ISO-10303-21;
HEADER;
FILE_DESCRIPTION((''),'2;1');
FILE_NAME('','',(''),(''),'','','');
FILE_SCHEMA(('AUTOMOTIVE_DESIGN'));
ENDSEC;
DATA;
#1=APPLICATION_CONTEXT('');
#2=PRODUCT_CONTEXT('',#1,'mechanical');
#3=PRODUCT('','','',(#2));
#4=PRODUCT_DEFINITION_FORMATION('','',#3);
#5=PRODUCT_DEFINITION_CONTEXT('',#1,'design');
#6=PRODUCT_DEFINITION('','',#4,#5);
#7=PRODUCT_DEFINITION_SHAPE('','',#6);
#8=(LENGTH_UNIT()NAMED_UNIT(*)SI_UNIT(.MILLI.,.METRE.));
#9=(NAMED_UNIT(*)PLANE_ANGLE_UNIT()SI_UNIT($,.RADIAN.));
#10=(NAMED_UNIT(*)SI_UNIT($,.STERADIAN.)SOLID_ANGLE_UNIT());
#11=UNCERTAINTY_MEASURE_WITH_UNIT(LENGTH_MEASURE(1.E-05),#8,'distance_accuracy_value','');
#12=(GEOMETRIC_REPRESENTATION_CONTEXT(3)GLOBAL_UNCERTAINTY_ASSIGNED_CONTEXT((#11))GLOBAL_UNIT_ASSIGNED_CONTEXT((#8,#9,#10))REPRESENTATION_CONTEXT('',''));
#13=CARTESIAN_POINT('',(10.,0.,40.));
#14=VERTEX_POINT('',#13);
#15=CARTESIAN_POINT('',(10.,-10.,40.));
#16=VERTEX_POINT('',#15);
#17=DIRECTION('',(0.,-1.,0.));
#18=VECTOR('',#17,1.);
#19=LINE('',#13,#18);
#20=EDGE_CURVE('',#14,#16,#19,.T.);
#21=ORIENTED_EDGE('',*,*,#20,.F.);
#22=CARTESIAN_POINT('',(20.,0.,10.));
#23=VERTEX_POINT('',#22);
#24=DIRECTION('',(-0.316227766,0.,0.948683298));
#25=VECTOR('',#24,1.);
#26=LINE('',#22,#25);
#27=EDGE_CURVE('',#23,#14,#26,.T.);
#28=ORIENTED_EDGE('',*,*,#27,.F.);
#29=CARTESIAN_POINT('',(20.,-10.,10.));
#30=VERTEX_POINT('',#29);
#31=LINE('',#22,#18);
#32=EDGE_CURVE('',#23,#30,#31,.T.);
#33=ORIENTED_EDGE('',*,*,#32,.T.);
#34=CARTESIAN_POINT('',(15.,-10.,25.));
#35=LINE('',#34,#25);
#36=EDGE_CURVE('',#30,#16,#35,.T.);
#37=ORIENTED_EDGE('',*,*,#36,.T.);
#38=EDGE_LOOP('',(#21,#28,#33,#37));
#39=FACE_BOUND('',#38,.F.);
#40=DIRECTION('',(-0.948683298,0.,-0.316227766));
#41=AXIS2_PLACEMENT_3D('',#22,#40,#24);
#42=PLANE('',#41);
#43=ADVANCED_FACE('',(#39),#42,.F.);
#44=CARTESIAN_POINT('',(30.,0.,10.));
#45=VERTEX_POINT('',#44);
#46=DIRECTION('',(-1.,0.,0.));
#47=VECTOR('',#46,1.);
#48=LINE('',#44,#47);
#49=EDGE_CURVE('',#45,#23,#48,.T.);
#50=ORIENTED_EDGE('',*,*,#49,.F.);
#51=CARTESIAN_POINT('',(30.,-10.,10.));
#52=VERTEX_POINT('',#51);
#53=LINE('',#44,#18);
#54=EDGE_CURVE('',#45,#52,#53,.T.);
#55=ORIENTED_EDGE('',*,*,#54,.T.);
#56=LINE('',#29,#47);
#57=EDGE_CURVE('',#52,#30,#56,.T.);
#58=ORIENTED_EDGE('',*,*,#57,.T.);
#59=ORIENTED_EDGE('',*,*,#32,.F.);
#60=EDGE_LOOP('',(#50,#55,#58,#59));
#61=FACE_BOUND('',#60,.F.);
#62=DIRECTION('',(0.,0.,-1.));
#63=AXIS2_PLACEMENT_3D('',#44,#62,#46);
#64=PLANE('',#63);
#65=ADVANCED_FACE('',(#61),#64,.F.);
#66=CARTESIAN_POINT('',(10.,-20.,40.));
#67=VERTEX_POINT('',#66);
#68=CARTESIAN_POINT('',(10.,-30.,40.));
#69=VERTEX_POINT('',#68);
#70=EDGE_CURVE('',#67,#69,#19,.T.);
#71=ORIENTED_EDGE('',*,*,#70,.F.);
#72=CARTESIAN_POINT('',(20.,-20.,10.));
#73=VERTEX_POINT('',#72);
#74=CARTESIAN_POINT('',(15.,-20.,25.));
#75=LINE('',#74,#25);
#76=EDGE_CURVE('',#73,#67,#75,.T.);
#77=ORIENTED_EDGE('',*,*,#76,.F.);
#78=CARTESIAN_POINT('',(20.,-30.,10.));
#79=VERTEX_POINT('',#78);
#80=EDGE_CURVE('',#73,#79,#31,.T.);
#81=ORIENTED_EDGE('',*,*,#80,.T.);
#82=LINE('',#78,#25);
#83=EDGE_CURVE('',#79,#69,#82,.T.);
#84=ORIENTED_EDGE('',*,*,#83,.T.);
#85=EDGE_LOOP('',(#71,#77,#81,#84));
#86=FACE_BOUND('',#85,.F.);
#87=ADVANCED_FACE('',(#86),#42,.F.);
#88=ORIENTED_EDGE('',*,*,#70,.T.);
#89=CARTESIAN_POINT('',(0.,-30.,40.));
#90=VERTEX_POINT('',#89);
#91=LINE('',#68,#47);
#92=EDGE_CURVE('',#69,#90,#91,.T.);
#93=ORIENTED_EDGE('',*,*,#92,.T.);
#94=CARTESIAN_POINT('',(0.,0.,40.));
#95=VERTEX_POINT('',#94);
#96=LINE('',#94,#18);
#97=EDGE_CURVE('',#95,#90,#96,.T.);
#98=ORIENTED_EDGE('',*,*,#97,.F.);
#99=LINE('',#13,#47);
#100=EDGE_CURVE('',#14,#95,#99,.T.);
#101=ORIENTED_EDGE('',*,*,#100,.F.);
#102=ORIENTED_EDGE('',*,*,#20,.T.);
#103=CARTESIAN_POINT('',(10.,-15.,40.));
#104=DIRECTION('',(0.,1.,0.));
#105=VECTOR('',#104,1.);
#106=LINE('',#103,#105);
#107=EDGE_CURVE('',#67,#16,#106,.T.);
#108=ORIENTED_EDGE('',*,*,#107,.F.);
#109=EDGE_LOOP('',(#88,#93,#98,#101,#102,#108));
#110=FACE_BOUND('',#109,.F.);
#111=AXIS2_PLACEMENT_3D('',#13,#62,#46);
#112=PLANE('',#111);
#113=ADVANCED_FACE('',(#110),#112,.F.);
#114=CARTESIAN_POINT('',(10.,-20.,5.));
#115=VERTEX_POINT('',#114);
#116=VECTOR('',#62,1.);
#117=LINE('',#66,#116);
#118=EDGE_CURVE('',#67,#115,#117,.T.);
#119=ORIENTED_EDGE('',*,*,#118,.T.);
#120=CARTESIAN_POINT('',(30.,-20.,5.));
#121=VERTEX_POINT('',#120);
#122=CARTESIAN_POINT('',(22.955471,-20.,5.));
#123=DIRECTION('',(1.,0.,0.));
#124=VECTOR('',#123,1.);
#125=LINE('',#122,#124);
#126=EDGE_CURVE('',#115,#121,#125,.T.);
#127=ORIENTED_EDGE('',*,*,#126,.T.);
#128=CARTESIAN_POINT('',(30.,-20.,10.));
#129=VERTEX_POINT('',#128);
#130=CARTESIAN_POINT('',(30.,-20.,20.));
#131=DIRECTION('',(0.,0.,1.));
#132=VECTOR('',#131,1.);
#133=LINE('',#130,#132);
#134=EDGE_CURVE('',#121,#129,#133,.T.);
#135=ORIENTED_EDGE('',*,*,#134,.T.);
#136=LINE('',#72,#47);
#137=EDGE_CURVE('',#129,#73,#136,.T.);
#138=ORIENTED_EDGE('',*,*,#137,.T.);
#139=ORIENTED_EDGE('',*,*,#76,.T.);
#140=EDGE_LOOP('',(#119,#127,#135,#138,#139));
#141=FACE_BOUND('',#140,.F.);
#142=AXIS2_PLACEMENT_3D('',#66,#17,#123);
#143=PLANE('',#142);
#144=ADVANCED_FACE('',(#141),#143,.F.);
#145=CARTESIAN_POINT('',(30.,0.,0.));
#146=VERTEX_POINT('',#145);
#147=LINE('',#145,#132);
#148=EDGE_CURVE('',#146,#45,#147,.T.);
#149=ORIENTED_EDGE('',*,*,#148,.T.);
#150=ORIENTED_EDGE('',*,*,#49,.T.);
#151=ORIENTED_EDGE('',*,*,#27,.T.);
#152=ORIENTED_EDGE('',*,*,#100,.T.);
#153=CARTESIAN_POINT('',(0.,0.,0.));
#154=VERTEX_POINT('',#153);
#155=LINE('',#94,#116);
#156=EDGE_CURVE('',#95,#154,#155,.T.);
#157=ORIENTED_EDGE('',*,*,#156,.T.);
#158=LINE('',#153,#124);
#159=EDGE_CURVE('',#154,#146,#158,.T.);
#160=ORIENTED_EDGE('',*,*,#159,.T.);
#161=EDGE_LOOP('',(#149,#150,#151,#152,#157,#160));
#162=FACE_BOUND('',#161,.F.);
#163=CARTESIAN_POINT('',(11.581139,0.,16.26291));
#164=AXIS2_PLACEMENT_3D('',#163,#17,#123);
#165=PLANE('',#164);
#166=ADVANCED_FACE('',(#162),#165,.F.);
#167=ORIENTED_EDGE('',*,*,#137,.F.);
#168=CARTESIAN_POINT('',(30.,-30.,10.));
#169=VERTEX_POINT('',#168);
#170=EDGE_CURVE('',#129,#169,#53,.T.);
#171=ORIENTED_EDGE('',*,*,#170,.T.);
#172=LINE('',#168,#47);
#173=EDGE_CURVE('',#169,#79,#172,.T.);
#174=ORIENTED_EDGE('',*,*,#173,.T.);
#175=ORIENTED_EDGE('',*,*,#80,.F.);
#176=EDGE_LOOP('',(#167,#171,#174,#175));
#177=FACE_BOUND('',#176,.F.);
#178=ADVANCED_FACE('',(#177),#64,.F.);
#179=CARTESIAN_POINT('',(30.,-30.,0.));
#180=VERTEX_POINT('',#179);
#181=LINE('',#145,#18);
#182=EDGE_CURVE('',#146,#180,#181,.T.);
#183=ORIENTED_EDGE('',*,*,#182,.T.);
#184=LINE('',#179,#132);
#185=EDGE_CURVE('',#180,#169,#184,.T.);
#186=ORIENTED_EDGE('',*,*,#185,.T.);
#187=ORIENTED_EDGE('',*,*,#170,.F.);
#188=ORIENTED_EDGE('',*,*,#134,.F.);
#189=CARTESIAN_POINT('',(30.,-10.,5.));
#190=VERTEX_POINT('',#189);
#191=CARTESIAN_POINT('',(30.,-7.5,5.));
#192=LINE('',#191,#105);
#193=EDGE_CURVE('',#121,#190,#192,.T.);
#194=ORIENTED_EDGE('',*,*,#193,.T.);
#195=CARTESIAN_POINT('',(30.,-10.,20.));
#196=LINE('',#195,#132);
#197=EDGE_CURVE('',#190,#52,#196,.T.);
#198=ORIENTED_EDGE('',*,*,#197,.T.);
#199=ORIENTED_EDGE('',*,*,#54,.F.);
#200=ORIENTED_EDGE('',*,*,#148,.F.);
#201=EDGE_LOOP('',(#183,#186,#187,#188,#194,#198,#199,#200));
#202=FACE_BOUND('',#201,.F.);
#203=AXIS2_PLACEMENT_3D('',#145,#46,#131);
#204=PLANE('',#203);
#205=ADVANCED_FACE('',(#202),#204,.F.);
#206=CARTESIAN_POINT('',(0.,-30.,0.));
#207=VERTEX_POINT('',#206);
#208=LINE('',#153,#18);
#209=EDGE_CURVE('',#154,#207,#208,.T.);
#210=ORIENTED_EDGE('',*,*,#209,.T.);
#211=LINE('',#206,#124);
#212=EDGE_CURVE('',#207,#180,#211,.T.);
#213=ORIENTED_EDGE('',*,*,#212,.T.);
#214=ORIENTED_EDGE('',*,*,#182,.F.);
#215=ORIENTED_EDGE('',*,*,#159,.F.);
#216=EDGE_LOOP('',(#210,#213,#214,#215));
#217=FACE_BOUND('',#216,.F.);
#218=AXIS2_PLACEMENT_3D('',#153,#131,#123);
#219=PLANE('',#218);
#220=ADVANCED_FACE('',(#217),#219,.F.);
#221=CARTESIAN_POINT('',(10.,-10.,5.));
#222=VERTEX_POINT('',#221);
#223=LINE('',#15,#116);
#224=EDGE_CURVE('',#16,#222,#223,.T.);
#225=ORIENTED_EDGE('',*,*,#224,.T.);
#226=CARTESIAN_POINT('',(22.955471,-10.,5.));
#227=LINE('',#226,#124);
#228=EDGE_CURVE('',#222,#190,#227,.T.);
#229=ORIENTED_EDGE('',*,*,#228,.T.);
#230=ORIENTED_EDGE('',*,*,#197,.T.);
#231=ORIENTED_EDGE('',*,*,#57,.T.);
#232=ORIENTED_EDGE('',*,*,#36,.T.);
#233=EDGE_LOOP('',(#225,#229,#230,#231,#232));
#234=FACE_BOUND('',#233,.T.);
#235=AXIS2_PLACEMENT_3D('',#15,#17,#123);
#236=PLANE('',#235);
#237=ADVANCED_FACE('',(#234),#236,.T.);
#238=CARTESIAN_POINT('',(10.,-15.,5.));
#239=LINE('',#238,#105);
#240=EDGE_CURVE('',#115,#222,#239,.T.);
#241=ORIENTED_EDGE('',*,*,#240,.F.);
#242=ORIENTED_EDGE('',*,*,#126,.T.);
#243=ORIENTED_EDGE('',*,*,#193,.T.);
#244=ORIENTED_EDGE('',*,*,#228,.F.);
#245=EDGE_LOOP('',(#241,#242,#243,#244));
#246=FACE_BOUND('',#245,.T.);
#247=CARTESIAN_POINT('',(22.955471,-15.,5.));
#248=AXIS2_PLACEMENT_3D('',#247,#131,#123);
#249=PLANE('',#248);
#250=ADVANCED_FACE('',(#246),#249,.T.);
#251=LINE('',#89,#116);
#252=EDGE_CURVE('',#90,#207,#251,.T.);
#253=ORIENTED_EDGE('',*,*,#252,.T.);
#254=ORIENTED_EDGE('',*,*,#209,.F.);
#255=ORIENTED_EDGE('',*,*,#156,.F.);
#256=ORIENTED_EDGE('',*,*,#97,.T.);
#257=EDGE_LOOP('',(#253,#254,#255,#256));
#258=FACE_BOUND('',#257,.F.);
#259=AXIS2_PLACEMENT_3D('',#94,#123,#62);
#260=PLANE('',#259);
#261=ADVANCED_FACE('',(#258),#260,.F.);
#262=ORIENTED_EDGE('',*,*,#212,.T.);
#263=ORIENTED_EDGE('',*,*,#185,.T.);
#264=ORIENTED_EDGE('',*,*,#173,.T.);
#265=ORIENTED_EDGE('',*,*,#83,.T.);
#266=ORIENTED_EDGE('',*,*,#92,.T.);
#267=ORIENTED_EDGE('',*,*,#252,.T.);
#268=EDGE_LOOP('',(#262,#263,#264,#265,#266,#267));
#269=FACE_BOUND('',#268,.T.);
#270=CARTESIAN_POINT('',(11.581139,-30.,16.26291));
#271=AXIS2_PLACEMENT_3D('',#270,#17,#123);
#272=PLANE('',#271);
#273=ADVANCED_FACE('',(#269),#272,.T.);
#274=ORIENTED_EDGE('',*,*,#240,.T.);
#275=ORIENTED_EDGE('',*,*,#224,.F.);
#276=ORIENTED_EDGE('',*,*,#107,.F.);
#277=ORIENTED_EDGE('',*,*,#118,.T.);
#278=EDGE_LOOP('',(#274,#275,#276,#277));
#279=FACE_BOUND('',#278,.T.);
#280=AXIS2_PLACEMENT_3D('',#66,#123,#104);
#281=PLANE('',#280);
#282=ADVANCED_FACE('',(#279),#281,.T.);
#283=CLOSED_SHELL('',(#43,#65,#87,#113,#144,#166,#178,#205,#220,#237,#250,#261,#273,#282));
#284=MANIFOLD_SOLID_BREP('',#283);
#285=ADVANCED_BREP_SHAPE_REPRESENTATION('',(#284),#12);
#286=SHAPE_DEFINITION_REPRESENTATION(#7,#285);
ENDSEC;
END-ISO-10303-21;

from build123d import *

# Parameters (mm, degrees)
F1_DEPTH = 30
F2_W     = 25.910942
F2_H     = 10
F3_DEPTH = 35


with BuildPart() as f1:
    # F0 (on Front) → F1 (new body)
    with BuildSketch(Plane.XZ):
        Polygon((10, 40), (0, 40), (0, 0), (30, 0), (30, 10), (20, 10), align=None)
    extrude(amount=F1_DEPTH)

    # F2 (on face) → F3 (cut)
    with BuildSketch(Plane.XY.offset(40)):
        with Locations((22.955471, -15)):
            Rectangle(F2_W, F2_H)
    extrude(amount=-F3_DEPTH, mode=Mode.SUBTRACT)


solid = f1.part
